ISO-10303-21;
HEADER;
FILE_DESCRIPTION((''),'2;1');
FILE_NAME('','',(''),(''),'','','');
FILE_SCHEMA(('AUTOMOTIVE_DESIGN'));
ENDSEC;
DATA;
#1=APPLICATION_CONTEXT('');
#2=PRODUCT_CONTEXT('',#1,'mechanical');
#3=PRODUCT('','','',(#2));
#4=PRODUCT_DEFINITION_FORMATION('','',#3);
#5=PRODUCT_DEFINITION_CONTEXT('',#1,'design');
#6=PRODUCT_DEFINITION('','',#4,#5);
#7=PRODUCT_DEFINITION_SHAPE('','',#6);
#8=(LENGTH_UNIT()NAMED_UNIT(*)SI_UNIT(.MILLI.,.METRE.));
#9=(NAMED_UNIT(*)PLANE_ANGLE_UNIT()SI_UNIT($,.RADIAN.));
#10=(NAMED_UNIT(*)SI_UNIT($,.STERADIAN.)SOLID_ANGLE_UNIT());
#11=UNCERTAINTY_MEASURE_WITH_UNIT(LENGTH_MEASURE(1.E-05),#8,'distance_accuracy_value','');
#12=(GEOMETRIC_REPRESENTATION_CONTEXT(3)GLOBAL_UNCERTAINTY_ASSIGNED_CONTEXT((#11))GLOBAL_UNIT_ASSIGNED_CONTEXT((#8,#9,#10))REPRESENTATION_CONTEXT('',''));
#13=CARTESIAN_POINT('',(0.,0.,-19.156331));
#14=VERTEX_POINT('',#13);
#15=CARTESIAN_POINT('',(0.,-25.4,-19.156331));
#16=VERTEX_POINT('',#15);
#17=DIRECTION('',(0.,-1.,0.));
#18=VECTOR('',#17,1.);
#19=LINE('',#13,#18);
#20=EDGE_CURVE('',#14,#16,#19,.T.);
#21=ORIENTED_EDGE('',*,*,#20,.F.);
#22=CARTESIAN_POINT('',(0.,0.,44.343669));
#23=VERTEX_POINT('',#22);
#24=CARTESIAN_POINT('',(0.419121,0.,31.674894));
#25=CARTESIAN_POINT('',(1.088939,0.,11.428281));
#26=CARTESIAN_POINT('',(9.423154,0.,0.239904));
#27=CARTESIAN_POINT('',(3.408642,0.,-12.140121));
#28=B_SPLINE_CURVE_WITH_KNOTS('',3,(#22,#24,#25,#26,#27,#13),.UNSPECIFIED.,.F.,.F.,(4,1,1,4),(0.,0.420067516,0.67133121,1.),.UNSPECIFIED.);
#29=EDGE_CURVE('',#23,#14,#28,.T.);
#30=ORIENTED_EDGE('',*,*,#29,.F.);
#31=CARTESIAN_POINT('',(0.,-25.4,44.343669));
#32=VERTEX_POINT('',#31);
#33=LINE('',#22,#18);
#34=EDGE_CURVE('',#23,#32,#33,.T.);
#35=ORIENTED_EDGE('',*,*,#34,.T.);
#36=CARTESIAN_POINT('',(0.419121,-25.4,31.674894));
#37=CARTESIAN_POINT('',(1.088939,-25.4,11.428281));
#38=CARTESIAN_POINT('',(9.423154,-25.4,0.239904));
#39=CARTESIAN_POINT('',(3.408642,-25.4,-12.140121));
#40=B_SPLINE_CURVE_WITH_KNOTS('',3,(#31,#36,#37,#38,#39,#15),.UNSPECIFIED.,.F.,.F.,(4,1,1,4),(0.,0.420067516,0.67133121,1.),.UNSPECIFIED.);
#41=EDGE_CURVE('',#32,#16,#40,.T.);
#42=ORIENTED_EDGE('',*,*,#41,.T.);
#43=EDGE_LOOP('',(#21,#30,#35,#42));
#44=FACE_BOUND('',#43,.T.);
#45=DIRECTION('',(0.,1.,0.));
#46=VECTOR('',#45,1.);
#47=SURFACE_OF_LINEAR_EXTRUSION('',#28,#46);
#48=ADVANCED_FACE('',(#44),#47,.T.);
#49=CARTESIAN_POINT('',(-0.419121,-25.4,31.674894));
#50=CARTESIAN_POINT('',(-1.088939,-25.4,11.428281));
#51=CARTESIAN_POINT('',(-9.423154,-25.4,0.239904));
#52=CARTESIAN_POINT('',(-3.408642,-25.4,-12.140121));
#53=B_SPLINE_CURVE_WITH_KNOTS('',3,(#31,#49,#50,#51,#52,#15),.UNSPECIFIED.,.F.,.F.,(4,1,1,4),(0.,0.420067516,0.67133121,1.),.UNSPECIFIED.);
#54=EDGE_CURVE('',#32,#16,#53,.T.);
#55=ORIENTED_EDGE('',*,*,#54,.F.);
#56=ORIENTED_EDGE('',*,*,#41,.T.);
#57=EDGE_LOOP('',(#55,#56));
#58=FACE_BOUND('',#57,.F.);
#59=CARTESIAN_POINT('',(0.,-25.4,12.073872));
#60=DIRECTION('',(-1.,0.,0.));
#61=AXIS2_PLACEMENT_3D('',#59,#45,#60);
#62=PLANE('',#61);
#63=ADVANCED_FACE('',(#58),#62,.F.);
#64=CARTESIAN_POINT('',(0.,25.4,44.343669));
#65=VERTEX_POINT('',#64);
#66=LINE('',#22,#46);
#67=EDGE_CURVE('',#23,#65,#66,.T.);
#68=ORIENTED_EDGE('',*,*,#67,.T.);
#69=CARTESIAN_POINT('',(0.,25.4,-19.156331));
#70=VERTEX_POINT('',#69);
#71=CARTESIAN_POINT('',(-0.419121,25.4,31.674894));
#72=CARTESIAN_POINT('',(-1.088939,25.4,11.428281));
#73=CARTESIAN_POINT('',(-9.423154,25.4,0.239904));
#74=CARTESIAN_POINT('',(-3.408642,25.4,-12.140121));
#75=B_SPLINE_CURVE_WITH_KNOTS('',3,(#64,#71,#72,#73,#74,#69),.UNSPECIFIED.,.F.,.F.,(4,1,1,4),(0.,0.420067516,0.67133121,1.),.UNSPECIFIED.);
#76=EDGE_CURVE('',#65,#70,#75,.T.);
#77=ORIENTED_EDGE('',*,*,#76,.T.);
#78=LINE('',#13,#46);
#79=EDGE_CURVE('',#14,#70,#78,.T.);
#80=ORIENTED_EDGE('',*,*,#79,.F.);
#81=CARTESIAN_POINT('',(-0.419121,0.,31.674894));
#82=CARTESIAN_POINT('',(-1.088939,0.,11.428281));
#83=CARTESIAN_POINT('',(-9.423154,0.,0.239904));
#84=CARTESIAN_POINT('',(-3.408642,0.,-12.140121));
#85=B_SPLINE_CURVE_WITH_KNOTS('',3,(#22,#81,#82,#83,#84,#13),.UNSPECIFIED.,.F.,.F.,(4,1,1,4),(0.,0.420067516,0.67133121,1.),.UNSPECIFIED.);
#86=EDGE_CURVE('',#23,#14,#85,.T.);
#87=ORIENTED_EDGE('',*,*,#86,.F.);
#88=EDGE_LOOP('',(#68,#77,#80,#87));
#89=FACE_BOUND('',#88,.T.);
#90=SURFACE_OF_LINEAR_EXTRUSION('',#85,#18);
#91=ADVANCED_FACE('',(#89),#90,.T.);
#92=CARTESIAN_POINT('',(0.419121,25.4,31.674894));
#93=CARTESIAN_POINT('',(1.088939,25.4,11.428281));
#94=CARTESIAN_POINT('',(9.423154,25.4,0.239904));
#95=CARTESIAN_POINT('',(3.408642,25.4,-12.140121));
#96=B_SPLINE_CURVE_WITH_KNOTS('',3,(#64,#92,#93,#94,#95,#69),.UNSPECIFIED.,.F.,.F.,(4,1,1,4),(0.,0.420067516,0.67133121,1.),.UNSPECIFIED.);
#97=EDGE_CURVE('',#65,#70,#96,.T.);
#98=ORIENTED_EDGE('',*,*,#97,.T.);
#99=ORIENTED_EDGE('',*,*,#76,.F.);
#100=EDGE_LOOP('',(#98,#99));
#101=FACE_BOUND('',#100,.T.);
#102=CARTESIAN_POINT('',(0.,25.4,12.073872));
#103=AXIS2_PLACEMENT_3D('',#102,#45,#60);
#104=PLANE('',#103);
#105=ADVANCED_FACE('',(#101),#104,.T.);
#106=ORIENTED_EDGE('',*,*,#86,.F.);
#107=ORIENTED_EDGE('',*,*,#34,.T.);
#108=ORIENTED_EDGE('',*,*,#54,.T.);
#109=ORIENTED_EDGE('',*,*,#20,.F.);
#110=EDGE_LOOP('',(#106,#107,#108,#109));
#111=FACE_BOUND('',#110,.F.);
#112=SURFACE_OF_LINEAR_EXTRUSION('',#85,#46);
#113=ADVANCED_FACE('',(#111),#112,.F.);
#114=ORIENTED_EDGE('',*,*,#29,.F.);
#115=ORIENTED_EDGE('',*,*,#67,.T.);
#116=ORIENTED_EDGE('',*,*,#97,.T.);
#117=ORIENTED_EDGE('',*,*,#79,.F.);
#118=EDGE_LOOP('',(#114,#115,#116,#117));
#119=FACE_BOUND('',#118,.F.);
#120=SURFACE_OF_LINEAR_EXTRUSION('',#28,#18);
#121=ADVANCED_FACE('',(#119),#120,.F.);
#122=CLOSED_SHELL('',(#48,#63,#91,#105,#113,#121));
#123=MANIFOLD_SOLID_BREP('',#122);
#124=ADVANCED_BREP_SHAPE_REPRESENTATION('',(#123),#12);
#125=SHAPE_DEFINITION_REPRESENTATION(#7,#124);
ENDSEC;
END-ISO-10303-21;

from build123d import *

# Parameters (mm, degrees)
F1_DEPTH = 25.4


with BuildPart() as f1:
    # F0 (on Front) → F1 (new body, symmetric)
    with BuildSketch(Plane.XZ):
        with BuildLine():
            add(Edge.make_bspline(
                [(0, 44.3436688867), (0.4191208199, 31.6748936906), (1.0889390676, 11.4282812612), (9.4231540136, 0.2399039664), (3.4086421778, -12.1401213721), (0, -19.1563311133)],
                knots=[0, 0, 0, 0, 0.4200675157, 0.6713312102, 1, 1, 1, 1], degree=3))
            add(Edge.make_bspline(
                [(0, 44.3436688867), (-0.4191208199, 31.6748936906), (-1.0889390676, 11.4282812612), (-9.4231540136, 0.2399039664), (-3.4086421778, -12.1401213721), (0, -19.1563311133)],
                knots=[0, 0, 0, 0, 0.4200675157, 0.6713312102, 1, 1, 1, 1], degree=3))
        make_face()
    extrude(amount=F1_DEPTH, both=True)


solid = f1.part
